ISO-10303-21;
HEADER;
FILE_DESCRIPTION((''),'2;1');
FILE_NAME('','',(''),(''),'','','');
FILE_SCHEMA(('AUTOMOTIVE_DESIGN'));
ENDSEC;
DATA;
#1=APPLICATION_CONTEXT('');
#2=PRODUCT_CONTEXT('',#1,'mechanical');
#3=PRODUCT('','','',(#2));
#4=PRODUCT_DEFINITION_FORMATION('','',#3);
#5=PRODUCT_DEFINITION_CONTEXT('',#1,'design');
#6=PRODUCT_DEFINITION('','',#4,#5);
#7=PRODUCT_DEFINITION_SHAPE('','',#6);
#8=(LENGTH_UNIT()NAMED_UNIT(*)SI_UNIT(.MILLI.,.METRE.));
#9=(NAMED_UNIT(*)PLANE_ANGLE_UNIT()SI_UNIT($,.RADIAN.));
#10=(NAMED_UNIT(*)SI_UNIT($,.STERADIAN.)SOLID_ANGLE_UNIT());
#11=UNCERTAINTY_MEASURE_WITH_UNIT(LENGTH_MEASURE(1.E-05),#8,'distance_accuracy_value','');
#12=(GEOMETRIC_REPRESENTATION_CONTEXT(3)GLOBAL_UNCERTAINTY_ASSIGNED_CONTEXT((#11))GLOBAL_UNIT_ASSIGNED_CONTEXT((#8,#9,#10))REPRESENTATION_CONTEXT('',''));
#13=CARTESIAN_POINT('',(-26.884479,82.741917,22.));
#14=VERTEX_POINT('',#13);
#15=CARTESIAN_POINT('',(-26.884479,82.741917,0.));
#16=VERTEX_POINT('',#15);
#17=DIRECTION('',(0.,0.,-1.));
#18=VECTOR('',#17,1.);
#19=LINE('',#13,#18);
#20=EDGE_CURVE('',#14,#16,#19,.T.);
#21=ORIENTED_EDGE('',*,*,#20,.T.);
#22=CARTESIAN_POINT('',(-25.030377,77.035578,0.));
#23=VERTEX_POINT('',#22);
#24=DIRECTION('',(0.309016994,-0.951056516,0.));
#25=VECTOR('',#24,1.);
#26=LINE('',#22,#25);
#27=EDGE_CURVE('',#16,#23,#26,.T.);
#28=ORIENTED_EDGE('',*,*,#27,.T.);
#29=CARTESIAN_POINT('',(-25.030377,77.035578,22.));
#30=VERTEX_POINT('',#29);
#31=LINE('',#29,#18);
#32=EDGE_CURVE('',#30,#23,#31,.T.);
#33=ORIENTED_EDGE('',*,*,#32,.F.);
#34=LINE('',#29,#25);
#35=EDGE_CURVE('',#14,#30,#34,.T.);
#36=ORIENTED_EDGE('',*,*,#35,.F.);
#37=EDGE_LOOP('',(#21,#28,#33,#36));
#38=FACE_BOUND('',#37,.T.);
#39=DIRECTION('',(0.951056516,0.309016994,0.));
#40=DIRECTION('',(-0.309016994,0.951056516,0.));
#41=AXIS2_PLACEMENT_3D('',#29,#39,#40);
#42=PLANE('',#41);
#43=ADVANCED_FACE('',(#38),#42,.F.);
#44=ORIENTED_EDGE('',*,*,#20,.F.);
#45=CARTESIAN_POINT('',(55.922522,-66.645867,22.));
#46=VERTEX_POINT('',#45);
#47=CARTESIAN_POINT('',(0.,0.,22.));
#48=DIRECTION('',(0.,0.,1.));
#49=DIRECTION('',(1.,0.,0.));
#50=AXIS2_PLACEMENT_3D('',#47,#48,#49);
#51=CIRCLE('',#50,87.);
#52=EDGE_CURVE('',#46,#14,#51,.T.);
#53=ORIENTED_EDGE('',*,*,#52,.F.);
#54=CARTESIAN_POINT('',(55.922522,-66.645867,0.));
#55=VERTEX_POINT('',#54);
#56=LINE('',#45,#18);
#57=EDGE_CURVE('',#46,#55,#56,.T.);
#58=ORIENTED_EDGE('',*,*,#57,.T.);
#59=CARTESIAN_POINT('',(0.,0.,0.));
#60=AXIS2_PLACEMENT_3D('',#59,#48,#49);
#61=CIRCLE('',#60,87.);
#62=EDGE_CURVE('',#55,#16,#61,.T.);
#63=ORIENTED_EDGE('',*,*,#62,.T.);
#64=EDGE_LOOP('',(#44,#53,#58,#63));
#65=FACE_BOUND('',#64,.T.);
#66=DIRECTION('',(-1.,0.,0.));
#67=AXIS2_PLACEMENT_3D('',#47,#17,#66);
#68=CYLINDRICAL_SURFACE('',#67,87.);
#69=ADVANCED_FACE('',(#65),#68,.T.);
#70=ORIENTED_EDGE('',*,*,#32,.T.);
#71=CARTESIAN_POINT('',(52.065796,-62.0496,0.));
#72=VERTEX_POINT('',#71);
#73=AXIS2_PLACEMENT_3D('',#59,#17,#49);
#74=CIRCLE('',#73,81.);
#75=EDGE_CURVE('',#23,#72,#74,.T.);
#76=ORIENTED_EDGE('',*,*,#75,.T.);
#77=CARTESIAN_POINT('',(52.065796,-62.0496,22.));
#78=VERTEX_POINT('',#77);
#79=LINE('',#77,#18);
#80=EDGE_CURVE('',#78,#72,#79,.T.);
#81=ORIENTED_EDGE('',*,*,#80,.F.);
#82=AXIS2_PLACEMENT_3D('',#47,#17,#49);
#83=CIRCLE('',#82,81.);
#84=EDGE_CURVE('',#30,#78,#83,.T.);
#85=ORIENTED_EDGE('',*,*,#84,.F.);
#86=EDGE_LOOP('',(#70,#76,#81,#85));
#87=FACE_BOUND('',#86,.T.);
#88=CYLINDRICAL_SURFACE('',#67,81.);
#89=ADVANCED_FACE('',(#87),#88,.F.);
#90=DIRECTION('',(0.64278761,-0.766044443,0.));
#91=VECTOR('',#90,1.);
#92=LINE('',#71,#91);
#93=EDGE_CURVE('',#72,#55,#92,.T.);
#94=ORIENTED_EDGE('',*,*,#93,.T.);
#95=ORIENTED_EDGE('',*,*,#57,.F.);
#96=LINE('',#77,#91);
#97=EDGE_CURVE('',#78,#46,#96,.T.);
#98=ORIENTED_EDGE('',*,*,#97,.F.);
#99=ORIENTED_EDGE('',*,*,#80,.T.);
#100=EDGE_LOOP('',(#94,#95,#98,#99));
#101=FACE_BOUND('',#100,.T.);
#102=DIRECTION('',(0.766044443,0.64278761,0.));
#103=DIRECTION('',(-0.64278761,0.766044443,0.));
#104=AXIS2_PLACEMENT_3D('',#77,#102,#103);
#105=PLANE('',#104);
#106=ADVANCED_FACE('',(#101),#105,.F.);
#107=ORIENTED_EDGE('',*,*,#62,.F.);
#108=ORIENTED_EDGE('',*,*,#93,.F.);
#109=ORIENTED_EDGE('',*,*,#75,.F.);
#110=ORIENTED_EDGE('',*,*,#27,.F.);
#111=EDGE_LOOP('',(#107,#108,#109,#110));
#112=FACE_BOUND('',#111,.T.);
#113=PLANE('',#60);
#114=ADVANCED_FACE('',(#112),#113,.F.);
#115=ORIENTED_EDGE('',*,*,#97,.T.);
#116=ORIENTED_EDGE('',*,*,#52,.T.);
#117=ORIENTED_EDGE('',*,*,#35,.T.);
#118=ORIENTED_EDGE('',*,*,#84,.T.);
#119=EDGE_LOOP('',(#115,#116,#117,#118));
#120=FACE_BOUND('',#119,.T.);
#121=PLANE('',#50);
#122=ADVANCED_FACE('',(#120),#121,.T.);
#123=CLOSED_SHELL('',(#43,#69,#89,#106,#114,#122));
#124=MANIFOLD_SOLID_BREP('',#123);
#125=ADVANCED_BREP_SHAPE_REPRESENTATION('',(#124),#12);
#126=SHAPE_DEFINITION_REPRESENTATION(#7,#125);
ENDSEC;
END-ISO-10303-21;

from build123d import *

# Parameters (mm, degrees)
BASE_EXTRUSION_DEPTH = 22


with BuildPart() as part:
    # Esquisse1 → Base-Extrusion (new body)
    with BuildSketch(Plane.XY):
        with BuildLine():
            Line((-25.030376544, 77.03557782), (-26.884478511, 82.741916918))
            ThreePointArc((-26.884478511, 82.741916918), (76.091914521, 42.178436961), (55.922522043, -66.645866551))
            Line((55.922522043, -66.645866551), (52.065796385, -62.049599893))
            ThreePointArc((52.065796385, -62.049599893), (70.844196278, 39.26957924), (-25.030376544, 77.03557782))
        make_face()
    extrude(amount=BASE_EXTRUSION_DEPTH)


solid = part.part
